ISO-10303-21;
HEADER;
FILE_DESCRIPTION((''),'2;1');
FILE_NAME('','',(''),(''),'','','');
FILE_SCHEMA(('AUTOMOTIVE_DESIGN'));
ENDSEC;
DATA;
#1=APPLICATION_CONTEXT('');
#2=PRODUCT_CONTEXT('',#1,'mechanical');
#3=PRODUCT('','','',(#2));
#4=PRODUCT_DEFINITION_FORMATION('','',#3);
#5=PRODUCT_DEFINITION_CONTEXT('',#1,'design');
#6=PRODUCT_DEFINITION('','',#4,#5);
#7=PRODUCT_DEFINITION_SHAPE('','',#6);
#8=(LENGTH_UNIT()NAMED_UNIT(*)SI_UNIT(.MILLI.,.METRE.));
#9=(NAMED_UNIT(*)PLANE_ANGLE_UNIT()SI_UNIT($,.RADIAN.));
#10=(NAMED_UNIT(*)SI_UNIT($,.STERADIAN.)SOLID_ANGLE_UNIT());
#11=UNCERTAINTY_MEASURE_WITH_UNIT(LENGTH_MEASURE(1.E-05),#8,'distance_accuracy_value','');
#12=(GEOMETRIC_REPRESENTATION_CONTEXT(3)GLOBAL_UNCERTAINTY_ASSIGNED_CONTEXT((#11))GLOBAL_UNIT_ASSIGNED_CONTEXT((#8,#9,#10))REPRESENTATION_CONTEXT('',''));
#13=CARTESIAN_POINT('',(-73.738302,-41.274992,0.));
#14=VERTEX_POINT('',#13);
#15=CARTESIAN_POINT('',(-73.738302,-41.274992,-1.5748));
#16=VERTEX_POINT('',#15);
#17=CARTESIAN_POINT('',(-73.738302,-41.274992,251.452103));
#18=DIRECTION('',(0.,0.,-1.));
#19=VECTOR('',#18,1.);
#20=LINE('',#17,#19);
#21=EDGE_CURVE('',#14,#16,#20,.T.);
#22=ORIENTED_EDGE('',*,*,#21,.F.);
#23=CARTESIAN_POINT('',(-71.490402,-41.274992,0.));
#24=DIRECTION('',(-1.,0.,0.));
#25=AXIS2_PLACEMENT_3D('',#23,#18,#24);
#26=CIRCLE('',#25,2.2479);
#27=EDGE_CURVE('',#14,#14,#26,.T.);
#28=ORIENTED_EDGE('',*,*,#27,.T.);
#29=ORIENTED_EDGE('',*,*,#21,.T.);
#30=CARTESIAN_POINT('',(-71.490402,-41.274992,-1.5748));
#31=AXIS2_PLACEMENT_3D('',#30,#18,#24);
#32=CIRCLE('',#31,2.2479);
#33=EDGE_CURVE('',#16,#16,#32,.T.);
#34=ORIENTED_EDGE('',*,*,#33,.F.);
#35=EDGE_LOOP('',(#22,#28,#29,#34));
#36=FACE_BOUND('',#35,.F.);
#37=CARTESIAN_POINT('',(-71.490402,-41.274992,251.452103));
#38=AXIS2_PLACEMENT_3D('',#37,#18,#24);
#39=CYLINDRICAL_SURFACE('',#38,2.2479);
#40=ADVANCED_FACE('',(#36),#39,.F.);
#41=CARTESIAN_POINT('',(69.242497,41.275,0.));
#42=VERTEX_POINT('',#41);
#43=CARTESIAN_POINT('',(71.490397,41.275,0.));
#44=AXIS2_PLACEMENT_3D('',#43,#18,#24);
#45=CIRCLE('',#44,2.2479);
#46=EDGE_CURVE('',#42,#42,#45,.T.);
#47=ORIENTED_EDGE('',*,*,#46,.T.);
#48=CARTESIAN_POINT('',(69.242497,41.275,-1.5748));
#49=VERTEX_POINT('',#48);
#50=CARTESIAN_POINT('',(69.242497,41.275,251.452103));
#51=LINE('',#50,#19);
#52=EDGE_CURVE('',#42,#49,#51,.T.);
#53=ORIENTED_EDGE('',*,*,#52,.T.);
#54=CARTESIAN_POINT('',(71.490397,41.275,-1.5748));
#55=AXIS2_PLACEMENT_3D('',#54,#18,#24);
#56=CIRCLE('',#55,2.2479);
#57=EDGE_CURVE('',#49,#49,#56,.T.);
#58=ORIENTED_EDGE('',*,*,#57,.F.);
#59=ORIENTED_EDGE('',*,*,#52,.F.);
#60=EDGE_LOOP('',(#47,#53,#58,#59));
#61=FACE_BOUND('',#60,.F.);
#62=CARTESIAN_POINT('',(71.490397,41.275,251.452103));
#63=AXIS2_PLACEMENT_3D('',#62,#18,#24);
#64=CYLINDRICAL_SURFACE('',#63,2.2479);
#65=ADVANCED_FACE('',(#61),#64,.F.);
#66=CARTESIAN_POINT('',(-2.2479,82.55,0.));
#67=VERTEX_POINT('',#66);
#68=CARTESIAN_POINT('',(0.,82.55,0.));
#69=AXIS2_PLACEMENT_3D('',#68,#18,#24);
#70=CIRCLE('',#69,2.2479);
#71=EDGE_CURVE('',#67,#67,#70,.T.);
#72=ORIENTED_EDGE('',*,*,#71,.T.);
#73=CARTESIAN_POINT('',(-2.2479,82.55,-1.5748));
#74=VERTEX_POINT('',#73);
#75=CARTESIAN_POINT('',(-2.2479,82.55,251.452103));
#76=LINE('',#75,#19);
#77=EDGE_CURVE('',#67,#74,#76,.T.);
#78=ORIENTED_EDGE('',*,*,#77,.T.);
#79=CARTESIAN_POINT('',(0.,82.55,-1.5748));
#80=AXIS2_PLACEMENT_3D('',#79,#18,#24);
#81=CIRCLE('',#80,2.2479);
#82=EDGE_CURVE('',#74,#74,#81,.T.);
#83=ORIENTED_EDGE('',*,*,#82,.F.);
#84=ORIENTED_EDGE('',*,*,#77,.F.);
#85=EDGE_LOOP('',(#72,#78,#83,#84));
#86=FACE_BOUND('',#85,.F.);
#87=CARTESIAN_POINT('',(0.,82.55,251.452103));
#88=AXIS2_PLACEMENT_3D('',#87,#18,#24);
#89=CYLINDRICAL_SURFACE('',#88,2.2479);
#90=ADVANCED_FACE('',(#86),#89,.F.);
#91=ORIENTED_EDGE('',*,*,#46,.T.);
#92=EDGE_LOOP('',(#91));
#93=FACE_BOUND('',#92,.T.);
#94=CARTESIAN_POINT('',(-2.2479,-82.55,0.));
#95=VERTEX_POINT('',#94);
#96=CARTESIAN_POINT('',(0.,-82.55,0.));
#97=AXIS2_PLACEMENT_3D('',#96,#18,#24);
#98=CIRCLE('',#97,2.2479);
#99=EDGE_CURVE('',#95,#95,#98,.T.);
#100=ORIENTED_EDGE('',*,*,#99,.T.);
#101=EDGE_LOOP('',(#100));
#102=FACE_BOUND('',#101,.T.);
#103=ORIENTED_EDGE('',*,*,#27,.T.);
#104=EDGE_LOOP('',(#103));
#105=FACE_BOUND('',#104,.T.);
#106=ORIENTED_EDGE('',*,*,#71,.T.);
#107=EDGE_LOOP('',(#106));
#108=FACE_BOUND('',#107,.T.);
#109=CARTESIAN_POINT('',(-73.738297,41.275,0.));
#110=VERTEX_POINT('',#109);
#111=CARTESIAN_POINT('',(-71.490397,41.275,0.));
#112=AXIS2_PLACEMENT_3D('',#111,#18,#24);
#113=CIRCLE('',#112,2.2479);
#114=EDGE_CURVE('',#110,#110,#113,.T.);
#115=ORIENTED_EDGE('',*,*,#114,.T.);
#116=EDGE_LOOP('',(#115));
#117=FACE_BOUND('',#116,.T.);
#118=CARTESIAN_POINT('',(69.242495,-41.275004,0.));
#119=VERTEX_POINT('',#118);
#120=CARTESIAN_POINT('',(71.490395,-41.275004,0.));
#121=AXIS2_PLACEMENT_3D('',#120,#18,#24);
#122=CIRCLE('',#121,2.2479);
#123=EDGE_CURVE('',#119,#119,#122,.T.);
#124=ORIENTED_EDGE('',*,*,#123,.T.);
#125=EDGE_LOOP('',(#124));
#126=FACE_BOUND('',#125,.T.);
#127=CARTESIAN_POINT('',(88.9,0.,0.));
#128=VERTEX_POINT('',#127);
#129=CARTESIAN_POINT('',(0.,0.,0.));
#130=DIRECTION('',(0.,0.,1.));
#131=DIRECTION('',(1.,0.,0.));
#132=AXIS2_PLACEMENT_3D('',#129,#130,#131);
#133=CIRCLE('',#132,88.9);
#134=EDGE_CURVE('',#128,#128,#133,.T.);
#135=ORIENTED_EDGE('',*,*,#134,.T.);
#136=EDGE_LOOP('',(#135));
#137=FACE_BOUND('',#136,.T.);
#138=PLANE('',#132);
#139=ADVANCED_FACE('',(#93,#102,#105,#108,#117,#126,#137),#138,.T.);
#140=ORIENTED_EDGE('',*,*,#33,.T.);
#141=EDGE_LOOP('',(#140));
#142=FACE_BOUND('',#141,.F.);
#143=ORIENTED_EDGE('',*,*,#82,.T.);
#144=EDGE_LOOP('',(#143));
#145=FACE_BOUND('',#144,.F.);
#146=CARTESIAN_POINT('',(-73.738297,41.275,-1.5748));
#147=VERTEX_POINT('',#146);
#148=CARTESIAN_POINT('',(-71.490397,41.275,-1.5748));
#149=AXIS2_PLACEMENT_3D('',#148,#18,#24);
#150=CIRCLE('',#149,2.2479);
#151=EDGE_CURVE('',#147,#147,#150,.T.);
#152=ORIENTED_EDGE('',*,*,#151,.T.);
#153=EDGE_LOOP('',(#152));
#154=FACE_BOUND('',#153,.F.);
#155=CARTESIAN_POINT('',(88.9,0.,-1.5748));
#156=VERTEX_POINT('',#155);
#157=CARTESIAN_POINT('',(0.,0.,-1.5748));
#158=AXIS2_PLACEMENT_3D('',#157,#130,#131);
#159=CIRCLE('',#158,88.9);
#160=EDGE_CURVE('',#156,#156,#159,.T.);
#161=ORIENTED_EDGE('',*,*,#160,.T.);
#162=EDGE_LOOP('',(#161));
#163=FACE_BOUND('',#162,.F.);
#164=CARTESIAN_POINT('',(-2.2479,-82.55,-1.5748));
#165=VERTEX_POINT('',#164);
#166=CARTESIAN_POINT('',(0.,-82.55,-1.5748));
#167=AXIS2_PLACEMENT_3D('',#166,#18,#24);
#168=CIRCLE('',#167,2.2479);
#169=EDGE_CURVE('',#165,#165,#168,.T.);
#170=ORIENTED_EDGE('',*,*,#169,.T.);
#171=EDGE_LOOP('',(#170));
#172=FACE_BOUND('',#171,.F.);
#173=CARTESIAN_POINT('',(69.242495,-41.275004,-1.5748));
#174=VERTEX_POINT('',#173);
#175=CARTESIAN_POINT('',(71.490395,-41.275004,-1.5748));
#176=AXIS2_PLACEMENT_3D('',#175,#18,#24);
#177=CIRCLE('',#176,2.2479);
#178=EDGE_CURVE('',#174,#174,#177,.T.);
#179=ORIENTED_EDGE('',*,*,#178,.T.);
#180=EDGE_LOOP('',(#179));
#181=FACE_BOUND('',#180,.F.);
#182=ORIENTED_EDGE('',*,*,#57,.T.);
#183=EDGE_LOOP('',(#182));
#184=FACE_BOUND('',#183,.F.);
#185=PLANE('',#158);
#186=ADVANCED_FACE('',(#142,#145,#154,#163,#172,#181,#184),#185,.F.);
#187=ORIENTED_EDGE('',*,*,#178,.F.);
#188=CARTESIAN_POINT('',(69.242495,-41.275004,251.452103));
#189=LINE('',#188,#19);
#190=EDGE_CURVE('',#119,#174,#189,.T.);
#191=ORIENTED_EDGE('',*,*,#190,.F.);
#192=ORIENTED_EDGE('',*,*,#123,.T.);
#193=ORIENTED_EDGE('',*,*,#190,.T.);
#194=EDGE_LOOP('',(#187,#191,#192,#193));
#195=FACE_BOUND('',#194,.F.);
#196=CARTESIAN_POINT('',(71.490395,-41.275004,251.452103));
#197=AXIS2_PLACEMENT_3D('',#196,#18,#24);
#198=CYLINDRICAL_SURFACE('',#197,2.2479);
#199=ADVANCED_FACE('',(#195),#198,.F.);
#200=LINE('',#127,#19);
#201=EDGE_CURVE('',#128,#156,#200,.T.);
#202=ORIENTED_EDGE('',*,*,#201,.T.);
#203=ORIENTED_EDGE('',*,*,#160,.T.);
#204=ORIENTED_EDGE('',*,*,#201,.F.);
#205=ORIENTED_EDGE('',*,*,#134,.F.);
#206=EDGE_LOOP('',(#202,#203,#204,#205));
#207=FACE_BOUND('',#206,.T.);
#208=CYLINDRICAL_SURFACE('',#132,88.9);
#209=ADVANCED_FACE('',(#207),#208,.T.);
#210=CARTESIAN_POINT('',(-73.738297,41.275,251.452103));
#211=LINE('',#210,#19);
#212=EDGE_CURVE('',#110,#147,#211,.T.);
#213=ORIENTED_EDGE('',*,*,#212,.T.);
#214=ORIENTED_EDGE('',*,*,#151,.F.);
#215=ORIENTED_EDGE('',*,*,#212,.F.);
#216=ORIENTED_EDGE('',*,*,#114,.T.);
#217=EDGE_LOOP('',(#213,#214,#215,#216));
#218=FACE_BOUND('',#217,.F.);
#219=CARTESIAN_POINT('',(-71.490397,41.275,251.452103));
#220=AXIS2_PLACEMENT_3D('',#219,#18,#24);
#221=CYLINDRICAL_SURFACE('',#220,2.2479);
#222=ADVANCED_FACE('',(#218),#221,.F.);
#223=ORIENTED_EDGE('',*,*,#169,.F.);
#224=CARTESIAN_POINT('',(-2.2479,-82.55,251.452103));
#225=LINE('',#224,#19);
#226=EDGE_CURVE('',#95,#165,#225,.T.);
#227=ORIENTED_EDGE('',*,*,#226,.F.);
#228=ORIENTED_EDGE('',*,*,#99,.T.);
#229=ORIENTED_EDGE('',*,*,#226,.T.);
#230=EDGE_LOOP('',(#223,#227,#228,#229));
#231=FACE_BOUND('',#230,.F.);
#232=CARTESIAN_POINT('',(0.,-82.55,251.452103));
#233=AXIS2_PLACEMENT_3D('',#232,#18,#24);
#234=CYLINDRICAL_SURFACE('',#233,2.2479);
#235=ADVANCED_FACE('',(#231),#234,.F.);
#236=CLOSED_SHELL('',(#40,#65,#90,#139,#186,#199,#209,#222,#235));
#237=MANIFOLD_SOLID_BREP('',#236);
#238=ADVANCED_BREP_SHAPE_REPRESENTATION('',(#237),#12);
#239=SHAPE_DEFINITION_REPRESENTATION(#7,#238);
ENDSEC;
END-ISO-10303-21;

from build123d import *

# Parameters (mm, degrees)
F0_R     = 88.9
F1_DEPTH = 1.5748
F3_D     = 4.4958
F5_D     = 4.4958


with BuildPart() as f1:
    # F0 (on Top) → F1 (new body)
    with BuildSketch(Plane.XY):
        Circle(F0_R)
    extrude(amount=-F1_DEPTH)

    # F3 (through all)
    with Locations(Plane.XY):
        with Locations((0, 82.55), (-71.490402, -41.274992), (71.490395, -41.275004)):
            Hole(F3_D / 2)

    # F5 (through all)
    with Locations(Plane.XY):
        with Locations((0, -82.55), (71.490397, 41.275), (-71.490397, 41.275)):
            Hole(F5_D / 2)


solid = f1.part
